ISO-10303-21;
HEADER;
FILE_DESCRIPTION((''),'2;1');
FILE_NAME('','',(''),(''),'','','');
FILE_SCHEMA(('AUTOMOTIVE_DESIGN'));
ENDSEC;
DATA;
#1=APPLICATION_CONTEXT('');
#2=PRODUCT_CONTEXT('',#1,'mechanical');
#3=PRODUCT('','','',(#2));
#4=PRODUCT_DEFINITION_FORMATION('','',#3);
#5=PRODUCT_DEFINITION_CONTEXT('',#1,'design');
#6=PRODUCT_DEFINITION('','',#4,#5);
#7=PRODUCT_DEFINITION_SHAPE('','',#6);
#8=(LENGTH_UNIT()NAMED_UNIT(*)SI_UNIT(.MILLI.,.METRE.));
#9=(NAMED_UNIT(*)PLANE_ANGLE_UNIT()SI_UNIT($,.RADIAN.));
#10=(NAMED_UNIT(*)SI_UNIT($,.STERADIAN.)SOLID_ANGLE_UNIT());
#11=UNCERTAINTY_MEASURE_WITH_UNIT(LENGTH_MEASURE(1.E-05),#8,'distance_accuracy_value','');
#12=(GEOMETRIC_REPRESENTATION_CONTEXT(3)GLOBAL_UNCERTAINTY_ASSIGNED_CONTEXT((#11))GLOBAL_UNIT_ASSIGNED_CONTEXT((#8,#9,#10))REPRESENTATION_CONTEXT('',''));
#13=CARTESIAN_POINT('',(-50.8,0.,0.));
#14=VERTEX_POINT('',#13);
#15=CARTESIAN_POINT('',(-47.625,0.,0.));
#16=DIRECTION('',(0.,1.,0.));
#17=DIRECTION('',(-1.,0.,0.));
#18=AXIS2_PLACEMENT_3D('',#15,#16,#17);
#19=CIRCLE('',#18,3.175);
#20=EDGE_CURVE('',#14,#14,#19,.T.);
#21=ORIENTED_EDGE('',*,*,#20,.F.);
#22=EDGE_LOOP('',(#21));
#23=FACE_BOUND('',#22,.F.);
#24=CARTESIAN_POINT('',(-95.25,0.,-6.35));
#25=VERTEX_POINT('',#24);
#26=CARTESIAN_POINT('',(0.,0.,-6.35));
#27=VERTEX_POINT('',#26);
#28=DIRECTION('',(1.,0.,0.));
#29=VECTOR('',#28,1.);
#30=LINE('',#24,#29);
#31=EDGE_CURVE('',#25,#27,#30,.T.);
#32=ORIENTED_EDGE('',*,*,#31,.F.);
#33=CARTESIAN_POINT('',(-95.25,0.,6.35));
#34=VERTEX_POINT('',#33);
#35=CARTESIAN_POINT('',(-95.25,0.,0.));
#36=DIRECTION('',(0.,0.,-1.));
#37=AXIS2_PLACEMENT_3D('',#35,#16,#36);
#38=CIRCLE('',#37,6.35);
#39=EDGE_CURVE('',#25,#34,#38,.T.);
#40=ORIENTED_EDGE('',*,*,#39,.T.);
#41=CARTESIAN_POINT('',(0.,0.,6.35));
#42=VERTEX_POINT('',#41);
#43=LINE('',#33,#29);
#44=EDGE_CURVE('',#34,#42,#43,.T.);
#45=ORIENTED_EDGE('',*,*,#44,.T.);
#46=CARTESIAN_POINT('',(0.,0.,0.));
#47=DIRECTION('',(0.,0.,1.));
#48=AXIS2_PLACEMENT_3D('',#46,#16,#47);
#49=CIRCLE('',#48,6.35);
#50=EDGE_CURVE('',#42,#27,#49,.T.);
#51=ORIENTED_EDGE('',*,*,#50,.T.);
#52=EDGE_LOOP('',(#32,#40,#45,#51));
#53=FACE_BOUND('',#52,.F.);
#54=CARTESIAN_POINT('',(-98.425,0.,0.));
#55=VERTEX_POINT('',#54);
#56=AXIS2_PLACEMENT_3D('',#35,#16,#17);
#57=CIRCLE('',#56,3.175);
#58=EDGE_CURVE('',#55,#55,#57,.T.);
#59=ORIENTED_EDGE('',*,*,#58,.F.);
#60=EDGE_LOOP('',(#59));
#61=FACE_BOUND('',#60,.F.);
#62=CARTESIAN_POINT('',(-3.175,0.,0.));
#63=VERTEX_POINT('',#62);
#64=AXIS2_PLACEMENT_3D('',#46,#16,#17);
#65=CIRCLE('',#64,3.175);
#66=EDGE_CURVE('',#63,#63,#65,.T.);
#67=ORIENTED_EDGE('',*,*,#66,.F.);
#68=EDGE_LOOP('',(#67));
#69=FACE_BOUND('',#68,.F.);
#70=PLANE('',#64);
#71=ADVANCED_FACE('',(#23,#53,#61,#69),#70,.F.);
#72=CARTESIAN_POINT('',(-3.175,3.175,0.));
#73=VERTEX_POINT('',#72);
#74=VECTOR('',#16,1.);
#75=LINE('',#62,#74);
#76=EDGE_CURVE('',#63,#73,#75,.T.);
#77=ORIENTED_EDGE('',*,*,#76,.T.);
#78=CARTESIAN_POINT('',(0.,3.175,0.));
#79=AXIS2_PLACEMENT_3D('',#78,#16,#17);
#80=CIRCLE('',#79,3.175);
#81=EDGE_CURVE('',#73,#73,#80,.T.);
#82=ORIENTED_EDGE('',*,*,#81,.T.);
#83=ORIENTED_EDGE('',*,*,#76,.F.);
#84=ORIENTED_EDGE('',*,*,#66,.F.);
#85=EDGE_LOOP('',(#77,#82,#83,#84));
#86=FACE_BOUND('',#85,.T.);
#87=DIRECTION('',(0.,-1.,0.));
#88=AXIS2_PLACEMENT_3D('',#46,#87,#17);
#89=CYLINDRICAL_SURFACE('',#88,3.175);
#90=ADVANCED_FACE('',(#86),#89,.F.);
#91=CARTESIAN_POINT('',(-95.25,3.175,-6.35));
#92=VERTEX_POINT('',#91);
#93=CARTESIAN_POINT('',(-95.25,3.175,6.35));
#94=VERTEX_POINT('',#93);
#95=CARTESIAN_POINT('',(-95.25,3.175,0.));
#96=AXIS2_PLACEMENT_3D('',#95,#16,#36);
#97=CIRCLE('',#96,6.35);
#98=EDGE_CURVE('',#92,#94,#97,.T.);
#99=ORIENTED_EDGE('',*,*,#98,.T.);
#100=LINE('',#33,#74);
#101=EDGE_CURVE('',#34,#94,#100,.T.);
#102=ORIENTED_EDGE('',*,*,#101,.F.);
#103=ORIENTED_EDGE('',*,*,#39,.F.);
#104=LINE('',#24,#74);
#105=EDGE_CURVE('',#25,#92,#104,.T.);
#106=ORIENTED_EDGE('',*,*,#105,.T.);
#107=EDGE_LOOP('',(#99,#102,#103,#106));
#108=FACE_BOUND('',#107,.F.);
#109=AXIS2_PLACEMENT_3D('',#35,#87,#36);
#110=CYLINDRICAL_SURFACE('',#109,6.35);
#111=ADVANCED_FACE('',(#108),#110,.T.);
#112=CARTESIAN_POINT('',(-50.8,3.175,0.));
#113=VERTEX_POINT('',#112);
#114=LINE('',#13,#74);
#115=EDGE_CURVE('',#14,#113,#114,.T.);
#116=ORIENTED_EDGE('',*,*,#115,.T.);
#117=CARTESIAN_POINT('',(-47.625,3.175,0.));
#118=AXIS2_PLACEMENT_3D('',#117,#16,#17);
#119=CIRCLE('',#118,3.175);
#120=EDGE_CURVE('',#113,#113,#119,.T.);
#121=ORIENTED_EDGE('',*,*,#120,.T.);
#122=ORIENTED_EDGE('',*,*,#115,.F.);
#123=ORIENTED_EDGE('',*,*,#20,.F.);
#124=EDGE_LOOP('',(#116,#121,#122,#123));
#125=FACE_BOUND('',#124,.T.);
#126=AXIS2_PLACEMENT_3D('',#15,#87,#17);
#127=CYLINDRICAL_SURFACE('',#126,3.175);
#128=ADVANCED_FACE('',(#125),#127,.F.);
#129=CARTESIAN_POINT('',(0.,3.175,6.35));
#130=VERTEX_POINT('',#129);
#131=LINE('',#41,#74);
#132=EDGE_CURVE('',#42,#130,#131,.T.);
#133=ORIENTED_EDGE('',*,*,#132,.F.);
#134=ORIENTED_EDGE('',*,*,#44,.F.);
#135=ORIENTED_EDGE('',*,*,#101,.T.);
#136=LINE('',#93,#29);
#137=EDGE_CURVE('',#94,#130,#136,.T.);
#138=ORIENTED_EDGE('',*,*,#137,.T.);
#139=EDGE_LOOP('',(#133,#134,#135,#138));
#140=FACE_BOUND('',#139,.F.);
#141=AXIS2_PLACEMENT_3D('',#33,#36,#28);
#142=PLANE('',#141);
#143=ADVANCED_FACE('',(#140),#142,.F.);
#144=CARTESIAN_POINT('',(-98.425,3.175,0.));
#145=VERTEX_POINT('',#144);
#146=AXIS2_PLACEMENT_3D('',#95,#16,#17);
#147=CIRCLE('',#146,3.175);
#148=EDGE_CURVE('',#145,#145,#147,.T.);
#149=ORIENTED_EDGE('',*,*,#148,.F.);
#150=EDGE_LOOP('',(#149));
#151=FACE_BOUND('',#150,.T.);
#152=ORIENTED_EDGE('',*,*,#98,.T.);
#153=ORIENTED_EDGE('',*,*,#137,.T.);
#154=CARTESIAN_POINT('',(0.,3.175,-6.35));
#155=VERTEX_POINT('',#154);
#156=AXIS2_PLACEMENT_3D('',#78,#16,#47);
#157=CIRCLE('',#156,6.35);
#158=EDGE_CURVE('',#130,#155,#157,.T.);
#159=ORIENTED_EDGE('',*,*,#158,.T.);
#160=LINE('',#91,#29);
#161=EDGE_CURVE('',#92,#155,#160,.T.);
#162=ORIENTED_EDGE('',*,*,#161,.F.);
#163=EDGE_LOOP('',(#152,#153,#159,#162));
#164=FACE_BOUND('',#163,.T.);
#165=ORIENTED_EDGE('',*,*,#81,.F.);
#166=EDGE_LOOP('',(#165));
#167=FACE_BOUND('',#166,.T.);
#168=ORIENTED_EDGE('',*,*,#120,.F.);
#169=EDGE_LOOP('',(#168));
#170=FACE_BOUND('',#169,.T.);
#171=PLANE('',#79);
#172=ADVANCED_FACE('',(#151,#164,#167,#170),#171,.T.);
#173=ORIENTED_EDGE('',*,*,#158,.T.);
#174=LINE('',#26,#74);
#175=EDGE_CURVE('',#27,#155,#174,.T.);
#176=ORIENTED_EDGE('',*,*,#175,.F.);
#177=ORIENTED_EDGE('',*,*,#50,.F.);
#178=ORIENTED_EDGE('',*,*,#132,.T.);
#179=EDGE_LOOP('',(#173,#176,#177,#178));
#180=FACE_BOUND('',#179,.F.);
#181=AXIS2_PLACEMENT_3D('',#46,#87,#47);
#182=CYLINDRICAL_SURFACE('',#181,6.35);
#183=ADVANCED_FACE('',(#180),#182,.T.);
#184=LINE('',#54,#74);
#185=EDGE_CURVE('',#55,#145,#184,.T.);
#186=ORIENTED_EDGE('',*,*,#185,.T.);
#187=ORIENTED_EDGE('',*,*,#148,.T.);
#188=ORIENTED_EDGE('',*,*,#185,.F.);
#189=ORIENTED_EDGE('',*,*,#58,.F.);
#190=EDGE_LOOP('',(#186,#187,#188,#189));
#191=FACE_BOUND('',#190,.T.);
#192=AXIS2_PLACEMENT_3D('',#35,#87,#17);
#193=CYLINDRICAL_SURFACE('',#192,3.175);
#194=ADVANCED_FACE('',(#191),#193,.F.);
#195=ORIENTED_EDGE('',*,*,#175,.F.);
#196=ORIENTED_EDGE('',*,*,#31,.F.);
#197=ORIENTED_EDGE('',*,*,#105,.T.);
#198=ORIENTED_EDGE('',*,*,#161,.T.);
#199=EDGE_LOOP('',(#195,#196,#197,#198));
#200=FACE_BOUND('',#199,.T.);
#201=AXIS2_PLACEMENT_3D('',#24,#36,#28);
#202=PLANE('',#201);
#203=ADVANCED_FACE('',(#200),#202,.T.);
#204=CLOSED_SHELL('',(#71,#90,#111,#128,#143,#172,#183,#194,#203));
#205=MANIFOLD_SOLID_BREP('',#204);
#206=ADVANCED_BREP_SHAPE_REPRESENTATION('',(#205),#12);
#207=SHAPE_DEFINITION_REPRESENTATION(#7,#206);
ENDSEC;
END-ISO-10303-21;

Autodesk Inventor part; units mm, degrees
ref_plane "YZ Plane" through (0, 0, 0) normal (1, 0, 0) x (0, 1, 0)
ref_plane "XZ Plane" through (0, 0, 0) normal (0, 1, 0) x (-1, 0, 0)
ref_plane "XY Plane" through (0, 0, 0) normal (0, 0, 1) x (1, 0, 0)
sketch "Sketch1" plane through (0, 0, 0) normal (0, 1, 0) x (-1, 0, 0)
  circle A0 centre (0, 0) radius 3.175
  circle A1 centre (95.25, 0) radius 3.175
  line L0 (95.25, 6.35) -> (0, 6.35)
  line L1 (95.25, -6.35) -> (0, -6.35)
  line L2 (95.25, 0) -> (0, 0) construction
  arc A2 (95.25, -6.35) -> (95.25, 6.35) centre (95.25, 0) ccw
  arc A3 (0, 6.35) -> (0, -6.35) centre (0, 0) ccw
  circle A4 centre (47.625, 0) radius 3.175
  dimension "d0" = 6.35
  dimension "d1" = 6.35
  dimension "d2" = 95.25
  dimension "d3" = 12.7
  dimension "d4" = 6.35
extrude "Extrusion1" add sketch "Sketch1" along normal blind 3.175
sketch "Sketch2" plane through (0, 3.175, 0) normal (0, 1, 0) x (1, 0, 0)
  circle A0 centre (0, 0) radius 6.35
  circle A1 centre (0, 0) radius 31.75
  dimension "d7" = 12.7
  dimension "d8" = 63.5
extrude "Extrusion2" [suppressed]
sketch "Sketch3" plane through (0, 3.175, 0) normal (0, 1, 0) x (1, 0, 0)
  line L0 (-3.6662, 6.35) -> (3.6662, 6.35)
  line L1 (3.6662, 6.35) -> (7.3323, 0)
  line L2 (7.3323, 0) -> (3.6662, -6.35)
  line L3 (3.6662, -6.35) -> (-3.6662, -6.35)
  line L4 (-3.6662, -6.35) -> (-7.3323, 0)
  line L5 (-7.3323, 0) -> (-3.6662, 6.35)
  circle A0 centre (-23.8125, 0) radius 2.54
  circle A1 centre (0, 0) radius 23.8125 construction
  circle A2 centre (-11.9062, -20.6222) radius 2.54
  circle A3 centre (11.9062, -20.6222) radius 2.54
  circle A4 centre (23.8125, 0) radius 2.54
  circle A5 centre (11.9062, 20.6222) radius 2.54
  circle A6 centre (-11.9063, 20.6222) radius 2.54
  circle A7 centre (0, 0) radius 12.7
  arc A8 (-31.1085, -6.35) -> (-31.1085, 6.35) centre (0, 0) ccw projected
  line L6 (-31.1085, -6.35) -> (-2.6494, -12.4206)
  line L7 (0, 6.35) -> (-95.25, 6.35) projected
  line L8 (-31.1085, 6.35) -> (-2.6494, 12.4206)
  dimension "d13" = 47.625
  dimension "d11" = 12.7
  dimension "d12" = 5.08
  dimension "d16" = 360
  dimension "d20" = 25.4
extrude "Extrusion3" [suppressed]
properties part number "OUTK_021_PanikSiscior2" material "Aluminum 6061"
